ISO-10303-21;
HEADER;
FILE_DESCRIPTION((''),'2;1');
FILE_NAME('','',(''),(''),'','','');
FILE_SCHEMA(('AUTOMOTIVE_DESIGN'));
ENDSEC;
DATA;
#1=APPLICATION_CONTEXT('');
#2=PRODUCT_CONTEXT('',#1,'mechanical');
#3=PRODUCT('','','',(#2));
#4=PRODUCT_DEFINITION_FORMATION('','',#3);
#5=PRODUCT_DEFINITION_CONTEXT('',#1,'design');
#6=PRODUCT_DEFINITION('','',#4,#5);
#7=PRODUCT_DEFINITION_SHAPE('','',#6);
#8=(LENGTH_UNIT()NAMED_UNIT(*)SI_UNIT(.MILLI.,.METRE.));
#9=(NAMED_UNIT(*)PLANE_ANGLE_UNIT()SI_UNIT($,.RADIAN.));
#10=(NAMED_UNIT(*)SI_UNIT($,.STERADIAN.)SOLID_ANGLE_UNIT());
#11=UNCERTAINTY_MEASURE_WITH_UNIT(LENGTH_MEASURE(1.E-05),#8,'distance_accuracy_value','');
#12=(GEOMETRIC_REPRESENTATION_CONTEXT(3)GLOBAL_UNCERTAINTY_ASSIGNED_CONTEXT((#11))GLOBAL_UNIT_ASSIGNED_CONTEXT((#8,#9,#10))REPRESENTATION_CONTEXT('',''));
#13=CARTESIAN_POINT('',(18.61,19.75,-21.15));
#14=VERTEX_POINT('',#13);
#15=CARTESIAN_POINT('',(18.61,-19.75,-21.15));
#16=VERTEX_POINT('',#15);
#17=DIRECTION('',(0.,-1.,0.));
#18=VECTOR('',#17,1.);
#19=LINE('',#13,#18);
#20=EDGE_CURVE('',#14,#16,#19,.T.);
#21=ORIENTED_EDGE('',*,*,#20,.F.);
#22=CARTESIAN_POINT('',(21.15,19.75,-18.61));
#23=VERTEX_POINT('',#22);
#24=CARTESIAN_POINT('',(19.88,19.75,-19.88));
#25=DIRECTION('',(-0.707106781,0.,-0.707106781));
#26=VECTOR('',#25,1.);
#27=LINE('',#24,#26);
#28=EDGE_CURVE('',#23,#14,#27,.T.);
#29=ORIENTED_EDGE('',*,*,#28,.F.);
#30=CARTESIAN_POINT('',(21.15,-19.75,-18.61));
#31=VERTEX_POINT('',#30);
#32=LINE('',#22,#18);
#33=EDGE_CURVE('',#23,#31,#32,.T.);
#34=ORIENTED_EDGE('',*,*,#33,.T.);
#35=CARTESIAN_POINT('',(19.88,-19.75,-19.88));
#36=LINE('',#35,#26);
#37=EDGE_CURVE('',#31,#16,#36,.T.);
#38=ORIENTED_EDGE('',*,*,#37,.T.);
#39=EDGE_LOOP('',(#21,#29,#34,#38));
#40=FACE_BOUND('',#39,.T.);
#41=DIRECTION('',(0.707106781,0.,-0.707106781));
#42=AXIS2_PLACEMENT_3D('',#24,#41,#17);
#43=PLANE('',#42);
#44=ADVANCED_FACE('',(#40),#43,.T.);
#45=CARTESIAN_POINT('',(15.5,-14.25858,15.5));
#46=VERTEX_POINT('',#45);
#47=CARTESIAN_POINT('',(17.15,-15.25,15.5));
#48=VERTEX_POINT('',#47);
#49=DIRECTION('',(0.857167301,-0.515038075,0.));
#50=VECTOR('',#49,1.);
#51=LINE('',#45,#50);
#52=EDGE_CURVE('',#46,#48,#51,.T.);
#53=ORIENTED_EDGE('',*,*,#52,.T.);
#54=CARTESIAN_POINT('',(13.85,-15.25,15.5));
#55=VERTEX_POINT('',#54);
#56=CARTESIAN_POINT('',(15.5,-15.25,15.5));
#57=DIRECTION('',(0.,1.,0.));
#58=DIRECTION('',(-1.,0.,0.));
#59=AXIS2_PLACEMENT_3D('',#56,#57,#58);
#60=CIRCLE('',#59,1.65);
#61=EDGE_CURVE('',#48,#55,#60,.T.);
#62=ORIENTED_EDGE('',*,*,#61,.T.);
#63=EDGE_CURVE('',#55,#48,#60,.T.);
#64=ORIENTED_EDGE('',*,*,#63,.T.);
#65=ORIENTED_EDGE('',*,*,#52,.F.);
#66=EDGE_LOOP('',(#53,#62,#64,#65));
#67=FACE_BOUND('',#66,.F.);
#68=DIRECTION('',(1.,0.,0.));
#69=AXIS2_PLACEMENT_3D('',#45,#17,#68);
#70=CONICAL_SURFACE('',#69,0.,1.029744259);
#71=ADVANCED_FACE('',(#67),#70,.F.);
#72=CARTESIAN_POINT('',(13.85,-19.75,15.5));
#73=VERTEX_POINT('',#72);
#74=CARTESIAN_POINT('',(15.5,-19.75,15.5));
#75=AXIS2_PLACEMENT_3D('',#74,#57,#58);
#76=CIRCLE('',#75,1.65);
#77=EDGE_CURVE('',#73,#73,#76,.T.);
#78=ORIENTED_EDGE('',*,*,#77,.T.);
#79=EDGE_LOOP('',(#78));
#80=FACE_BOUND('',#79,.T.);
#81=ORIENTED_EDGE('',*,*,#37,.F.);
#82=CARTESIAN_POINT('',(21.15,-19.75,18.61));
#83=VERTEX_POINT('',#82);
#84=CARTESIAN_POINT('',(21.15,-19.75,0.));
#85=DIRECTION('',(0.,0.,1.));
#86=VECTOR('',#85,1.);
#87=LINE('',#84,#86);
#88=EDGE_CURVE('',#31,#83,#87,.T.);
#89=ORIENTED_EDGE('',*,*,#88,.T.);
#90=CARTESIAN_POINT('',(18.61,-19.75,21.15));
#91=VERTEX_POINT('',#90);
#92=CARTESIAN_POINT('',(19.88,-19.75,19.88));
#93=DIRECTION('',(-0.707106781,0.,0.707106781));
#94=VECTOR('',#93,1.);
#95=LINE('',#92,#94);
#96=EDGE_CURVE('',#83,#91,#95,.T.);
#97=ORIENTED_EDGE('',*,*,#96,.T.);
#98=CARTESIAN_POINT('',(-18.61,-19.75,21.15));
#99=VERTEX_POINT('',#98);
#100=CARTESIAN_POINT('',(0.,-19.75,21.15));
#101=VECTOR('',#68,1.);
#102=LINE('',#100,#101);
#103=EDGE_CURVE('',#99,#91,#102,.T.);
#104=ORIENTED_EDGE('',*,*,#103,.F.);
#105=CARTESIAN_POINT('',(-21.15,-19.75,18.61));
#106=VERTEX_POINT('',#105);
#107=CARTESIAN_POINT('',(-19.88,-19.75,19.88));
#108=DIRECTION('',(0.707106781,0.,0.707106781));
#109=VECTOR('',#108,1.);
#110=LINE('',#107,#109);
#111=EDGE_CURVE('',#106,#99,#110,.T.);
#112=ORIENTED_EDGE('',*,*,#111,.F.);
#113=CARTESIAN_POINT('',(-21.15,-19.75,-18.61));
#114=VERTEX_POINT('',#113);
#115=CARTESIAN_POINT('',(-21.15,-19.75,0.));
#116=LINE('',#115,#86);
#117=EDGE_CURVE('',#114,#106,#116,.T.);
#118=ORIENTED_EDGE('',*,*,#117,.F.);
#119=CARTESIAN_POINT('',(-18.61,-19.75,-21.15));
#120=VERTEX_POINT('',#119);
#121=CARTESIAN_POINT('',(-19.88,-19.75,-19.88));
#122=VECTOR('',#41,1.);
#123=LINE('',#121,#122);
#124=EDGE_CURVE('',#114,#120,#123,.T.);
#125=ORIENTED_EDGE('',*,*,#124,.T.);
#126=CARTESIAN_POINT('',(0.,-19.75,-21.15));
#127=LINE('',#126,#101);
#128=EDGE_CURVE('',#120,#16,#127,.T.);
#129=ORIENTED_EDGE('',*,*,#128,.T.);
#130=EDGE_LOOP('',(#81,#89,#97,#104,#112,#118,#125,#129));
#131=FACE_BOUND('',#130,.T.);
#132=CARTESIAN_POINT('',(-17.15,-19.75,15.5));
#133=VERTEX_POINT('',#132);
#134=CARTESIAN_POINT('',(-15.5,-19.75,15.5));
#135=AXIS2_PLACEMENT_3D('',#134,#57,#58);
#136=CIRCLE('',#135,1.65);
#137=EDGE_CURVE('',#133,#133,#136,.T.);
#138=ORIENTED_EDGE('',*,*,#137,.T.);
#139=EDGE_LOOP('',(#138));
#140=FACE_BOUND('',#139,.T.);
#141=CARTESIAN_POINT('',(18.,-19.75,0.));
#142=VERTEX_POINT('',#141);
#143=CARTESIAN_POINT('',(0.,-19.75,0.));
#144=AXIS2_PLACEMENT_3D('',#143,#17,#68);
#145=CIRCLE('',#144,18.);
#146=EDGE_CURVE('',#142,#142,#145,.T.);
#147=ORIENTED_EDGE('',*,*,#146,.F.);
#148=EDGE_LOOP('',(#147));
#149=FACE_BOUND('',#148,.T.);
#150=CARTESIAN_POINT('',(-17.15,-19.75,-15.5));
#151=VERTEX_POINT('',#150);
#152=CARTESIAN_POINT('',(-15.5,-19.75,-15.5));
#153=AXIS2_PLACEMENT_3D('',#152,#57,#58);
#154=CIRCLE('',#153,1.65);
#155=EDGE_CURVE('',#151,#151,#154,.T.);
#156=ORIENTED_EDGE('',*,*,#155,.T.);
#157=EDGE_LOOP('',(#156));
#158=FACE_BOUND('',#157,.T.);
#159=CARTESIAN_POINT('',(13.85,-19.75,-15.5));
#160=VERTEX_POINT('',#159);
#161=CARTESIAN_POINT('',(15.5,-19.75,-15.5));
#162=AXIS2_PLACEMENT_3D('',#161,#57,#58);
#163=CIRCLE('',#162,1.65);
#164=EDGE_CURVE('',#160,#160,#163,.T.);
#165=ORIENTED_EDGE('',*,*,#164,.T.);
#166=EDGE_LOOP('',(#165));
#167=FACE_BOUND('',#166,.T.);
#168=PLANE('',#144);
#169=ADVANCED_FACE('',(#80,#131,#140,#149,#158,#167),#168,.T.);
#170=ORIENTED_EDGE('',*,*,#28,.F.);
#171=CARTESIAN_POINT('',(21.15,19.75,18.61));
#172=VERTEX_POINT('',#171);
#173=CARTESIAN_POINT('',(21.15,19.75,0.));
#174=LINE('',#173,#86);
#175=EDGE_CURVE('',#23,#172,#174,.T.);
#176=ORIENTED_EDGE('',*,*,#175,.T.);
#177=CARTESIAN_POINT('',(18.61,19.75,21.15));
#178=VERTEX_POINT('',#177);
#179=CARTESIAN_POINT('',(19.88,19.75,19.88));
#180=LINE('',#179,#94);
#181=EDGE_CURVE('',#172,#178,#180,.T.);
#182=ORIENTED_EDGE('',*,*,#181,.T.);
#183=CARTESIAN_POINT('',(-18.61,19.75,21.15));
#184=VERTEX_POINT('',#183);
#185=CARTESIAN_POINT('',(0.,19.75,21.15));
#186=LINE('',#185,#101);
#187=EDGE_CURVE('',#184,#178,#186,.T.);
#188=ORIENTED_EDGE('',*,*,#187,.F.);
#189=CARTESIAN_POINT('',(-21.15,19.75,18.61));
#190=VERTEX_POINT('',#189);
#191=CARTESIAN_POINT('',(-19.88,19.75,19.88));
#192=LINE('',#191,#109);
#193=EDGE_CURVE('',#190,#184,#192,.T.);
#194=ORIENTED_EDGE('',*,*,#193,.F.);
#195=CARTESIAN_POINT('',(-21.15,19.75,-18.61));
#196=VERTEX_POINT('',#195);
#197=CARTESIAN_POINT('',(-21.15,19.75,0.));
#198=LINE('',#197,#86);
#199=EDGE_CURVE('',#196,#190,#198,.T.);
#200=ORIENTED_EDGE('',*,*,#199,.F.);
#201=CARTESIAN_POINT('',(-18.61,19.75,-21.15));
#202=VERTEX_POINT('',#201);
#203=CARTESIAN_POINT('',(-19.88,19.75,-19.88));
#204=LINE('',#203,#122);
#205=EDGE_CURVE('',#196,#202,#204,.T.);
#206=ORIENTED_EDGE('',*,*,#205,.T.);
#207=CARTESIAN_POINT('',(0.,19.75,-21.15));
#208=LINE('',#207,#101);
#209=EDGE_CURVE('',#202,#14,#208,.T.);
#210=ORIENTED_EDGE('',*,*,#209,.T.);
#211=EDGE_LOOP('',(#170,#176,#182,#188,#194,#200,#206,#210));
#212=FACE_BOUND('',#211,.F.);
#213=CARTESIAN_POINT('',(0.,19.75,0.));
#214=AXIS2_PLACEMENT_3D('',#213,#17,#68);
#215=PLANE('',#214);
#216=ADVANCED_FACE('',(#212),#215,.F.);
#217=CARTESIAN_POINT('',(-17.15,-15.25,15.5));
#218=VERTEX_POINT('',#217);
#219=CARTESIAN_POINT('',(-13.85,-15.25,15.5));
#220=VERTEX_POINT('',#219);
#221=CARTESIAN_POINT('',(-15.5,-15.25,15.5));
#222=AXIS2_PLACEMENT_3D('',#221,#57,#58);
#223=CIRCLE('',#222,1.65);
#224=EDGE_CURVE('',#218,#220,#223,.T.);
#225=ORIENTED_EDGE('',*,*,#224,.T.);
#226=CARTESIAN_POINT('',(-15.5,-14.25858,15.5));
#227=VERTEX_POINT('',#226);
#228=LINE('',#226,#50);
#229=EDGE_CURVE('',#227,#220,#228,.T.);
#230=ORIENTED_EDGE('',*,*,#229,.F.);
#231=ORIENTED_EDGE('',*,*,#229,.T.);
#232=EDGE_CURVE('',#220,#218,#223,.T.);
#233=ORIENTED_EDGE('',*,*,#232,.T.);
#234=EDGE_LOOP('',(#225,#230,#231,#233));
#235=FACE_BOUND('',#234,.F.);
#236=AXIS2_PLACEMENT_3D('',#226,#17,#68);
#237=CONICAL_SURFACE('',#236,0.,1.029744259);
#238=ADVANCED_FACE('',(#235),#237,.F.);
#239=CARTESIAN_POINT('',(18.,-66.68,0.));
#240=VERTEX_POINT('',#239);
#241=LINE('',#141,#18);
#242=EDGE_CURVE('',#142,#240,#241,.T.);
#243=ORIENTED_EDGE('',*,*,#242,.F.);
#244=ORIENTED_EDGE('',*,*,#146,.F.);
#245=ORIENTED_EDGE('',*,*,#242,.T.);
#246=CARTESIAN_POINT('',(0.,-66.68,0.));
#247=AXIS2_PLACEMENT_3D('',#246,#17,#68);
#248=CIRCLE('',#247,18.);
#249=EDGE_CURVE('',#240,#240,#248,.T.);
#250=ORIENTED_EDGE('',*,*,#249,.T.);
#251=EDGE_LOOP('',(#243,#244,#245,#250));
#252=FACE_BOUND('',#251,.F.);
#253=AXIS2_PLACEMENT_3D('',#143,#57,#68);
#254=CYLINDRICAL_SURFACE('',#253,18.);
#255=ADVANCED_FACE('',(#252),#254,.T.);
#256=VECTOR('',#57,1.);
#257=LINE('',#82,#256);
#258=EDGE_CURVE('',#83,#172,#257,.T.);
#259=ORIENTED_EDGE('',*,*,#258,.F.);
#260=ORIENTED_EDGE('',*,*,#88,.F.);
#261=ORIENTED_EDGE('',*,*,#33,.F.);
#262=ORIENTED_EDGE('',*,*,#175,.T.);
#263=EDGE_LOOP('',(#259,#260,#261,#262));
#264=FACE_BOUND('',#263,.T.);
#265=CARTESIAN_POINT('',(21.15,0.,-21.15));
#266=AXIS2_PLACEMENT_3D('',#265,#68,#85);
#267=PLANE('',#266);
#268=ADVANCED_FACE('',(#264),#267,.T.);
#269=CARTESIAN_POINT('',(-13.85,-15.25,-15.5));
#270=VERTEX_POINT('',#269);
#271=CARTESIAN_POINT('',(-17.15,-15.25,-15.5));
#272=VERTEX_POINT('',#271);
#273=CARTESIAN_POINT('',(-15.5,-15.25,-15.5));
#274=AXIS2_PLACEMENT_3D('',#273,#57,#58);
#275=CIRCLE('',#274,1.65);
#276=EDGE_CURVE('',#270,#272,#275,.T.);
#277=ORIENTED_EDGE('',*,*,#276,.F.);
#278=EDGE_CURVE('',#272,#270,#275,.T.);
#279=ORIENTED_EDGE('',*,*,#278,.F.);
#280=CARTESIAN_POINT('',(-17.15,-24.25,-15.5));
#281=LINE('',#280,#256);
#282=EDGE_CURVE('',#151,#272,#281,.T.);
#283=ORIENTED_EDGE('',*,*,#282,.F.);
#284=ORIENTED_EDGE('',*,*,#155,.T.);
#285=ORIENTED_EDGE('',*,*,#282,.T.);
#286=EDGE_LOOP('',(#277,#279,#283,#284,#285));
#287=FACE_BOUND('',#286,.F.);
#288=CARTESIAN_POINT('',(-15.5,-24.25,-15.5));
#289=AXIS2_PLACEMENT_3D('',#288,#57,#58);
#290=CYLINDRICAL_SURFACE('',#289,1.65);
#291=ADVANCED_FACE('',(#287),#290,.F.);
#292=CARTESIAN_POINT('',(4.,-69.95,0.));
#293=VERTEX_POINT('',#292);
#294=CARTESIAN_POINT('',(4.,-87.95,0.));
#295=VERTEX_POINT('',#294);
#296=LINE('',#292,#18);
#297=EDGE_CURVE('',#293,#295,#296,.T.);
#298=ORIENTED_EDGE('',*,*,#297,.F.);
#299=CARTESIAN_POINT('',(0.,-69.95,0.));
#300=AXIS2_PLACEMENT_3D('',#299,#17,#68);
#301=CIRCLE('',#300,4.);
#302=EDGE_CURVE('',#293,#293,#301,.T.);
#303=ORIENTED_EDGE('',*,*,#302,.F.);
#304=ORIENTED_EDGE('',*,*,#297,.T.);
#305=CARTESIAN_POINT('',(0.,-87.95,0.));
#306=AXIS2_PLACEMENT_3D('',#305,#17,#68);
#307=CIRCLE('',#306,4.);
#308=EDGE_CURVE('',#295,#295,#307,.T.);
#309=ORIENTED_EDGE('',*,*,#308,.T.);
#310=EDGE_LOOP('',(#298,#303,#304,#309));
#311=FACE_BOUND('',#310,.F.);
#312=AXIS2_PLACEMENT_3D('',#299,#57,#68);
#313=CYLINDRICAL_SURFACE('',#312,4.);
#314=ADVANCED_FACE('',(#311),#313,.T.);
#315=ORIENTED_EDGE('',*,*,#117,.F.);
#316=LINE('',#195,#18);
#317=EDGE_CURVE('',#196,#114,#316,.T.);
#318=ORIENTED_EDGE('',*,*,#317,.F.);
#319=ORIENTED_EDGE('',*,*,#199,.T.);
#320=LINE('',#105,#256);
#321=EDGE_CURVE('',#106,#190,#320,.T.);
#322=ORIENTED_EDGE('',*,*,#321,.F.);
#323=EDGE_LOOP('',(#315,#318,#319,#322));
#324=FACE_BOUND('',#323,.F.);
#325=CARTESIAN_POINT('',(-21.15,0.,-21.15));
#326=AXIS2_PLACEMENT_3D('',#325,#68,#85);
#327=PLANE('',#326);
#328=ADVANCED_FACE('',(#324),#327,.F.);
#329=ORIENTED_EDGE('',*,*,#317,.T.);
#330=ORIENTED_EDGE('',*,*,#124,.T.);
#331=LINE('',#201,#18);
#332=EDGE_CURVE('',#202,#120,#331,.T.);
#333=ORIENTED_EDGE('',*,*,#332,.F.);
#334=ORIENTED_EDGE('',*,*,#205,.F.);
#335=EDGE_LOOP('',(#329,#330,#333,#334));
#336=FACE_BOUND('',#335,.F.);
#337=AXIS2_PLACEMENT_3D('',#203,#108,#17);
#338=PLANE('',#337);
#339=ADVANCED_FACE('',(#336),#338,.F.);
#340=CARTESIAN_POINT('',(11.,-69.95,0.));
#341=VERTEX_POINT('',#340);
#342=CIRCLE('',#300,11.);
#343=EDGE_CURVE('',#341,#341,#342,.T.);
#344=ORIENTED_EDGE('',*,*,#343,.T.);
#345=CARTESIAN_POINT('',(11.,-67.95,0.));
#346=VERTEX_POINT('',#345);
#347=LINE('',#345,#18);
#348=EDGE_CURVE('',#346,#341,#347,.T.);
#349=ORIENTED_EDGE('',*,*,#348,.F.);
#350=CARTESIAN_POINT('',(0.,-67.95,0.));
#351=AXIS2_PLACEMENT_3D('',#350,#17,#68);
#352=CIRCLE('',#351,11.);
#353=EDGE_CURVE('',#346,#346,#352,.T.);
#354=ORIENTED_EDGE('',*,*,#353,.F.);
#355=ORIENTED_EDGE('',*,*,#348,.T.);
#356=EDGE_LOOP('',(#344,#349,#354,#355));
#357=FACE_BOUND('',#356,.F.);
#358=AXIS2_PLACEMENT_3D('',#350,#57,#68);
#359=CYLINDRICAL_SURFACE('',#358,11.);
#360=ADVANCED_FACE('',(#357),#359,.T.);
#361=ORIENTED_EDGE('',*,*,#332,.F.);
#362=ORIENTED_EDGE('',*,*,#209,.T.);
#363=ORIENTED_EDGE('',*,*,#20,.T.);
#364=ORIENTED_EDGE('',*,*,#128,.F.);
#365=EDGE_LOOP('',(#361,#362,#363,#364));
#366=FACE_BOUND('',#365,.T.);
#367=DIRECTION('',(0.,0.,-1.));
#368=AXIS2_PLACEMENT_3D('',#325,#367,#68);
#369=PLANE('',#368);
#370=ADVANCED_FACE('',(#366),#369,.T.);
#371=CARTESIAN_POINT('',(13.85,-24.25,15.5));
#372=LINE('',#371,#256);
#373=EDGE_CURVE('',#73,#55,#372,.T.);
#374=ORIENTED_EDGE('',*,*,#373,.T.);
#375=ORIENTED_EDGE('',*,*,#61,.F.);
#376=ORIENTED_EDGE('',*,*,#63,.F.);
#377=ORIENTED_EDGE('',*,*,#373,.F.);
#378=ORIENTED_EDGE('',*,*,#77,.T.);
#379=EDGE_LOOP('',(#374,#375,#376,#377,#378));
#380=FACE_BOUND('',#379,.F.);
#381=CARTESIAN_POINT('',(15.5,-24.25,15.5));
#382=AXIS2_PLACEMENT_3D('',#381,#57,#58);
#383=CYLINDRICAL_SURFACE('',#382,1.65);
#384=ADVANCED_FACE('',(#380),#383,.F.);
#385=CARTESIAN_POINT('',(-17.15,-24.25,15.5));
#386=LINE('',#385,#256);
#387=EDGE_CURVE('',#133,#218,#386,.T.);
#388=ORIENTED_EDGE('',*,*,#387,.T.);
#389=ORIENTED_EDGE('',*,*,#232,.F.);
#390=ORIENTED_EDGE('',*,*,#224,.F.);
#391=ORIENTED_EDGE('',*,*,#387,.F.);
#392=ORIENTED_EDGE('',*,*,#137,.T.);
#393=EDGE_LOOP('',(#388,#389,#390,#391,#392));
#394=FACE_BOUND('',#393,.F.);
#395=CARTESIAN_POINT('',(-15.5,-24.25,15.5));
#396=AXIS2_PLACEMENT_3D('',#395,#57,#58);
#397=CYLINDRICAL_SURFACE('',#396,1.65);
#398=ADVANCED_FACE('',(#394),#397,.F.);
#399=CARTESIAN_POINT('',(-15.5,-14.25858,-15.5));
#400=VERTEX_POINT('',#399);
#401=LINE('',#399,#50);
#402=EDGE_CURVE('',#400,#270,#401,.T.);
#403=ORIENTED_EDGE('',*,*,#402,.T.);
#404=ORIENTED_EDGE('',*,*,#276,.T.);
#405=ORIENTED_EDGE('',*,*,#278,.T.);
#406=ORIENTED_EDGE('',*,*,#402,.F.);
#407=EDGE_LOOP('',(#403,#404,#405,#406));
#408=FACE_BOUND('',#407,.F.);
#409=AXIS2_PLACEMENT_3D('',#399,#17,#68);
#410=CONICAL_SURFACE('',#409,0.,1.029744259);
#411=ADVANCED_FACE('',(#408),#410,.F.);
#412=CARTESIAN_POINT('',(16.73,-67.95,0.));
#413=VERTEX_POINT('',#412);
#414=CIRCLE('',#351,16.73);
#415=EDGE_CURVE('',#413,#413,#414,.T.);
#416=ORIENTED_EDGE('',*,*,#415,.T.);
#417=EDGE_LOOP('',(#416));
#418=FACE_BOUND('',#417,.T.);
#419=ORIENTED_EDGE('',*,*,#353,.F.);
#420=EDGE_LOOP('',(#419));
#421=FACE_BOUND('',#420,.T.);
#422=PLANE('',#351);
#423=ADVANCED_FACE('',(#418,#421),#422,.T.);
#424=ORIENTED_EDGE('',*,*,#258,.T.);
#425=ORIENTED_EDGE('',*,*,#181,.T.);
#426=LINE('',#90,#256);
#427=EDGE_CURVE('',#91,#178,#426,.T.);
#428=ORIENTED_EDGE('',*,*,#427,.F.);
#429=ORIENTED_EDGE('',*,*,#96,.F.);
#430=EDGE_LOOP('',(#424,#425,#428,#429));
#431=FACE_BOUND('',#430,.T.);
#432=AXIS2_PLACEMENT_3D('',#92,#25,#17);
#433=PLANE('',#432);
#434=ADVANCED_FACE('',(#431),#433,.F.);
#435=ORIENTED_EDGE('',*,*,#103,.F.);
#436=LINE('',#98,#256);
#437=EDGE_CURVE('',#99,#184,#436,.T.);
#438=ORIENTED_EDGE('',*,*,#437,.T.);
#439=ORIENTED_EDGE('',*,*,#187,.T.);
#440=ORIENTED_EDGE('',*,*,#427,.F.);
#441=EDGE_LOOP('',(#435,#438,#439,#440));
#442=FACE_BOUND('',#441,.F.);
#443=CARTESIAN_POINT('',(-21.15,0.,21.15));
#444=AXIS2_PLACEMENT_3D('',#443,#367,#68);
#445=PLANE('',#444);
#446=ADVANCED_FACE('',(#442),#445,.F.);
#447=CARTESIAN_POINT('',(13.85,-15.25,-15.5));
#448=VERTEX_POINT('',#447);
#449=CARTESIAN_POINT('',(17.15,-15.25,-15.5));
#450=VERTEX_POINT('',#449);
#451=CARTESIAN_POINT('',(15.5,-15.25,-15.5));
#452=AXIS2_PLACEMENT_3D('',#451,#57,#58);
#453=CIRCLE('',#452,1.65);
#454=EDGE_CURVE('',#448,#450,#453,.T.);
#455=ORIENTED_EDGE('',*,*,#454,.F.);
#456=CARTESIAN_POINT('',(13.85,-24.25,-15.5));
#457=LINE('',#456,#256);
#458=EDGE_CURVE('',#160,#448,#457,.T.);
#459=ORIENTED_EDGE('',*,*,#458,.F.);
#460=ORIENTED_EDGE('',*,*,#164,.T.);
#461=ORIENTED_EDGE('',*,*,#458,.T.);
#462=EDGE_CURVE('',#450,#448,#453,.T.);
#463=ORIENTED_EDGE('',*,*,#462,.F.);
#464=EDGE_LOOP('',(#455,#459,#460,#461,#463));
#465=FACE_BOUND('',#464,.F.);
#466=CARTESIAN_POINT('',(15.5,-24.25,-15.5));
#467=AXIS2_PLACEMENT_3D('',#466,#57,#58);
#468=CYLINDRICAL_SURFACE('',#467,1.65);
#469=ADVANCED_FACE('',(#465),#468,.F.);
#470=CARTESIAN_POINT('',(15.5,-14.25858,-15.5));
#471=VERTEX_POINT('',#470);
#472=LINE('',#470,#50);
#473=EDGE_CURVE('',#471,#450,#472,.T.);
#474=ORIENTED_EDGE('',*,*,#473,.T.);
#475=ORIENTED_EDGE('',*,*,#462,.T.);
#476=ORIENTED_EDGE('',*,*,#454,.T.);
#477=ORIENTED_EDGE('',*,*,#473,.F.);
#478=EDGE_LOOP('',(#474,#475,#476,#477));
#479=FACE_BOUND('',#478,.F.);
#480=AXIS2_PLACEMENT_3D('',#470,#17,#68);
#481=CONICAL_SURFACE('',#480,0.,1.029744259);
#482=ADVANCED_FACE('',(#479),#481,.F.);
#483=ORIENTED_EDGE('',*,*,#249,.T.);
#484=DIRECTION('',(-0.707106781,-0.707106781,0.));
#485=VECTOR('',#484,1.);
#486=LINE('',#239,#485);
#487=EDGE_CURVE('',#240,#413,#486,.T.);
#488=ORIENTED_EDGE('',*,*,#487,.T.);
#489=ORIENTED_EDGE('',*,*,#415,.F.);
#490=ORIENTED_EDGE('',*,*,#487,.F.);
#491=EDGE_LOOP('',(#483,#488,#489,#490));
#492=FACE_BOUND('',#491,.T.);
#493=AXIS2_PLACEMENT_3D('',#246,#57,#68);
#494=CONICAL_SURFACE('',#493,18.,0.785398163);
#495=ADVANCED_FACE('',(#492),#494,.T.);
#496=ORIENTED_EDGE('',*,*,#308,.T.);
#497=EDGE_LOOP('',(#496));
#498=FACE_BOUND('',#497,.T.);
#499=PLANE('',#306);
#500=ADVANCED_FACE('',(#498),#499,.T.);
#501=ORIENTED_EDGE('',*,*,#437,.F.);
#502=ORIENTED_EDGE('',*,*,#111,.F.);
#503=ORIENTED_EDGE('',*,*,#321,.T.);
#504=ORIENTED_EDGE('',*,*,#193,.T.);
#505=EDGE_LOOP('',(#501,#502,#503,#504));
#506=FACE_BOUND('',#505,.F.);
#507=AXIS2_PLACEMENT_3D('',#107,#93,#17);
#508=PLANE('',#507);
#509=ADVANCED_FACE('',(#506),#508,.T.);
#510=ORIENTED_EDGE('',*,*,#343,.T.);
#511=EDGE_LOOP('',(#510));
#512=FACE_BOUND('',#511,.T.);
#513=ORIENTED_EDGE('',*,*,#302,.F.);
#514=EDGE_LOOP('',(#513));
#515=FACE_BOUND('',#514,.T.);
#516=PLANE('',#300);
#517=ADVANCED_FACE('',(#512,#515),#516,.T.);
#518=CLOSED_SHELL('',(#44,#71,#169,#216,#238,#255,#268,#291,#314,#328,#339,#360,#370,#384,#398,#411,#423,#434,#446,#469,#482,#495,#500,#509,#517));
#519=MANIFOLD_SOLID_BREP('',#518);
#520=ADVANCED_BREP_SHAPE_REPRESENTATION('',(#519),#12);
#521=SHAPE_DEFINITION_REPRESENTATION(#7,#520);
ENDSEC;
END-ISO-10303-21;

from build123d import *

# Parameters (mm, degrees)
F0_W      = 42.3
F0_H      = 42.3
F1_DEPTH  = 19.75
F2_SIZE   = 2.54
F4_D      = 3.3
F4_DEPTH  = 4.5
F4_TIP    = 0.9914200214
F5_R      = 18
F6_DEPTH  = 48.2
F7_R      = 11
F8_DEPTH  = 2
F9_R      = 4
F10_DEPTH = 18
F11_SIZE  = 1.27


with BuildPart() as f1:
    # F0 (on Front) → F1 (new body, symmetric)
    with BuildSketch(Plane.XZ):
        Rectangle(F0_W, F0_H)
    extrude(amount=F1_DEPTH, both=True)

    # F2
    f2_edges = [f1.edges().sort_by_distance(p)[0] for p in [
        (21.15, 0, 21.15),
        (-21.15, 0, 21.15),
        (-21.15, 0, -21.15),
        (21.15, 0, -21.15),
    ]]
    chamfer(f2_edges, length=F2_SIZE)

    # F4
    with Locations(Plane.XZ.offset(19.75)):
        with Locations((15.5, 15.5), (15.5, -15.5), (-15.5, -15.5), (-15.5, 15.5)):
            Hole(F4_D / 2, depth=F4_DEPTH)
            with Locations((0, 0, -(F4_DEPTH + F4_TIP / 2))):  # 118° drill point
                Cone(0, F4_D / 2, F4_TIP, mode=Mode.SUBTRACT)

    # F5 (on face) → F6 (join)
    with BuildSketch(Plane.XZ.offset(19.75)):
        Circle(F5_R)
    extrude(amount=F6_DEPTH)

    # F7 (on face) → F8 (join)
    with BuildSketch(Plane.XZ.offset(67.95)):
        Circle(F7_R)
    extrude(amount=F8_DEPTH)

    # F9 (on face) → F10 (join)
    with BuildSketch(Plane.XZ.offset(69.95)):
        Circle(F9_R)
    extrude(amount=F10_DEPTH)

    # F11
    f11_edges = [f1.edges().sort_by_distance(p)[0] for p in [
        (-18, -67.95, 0),
    ]]
    chamfer(f11_edges, length=F11_SIZE)


solid = f1.part
